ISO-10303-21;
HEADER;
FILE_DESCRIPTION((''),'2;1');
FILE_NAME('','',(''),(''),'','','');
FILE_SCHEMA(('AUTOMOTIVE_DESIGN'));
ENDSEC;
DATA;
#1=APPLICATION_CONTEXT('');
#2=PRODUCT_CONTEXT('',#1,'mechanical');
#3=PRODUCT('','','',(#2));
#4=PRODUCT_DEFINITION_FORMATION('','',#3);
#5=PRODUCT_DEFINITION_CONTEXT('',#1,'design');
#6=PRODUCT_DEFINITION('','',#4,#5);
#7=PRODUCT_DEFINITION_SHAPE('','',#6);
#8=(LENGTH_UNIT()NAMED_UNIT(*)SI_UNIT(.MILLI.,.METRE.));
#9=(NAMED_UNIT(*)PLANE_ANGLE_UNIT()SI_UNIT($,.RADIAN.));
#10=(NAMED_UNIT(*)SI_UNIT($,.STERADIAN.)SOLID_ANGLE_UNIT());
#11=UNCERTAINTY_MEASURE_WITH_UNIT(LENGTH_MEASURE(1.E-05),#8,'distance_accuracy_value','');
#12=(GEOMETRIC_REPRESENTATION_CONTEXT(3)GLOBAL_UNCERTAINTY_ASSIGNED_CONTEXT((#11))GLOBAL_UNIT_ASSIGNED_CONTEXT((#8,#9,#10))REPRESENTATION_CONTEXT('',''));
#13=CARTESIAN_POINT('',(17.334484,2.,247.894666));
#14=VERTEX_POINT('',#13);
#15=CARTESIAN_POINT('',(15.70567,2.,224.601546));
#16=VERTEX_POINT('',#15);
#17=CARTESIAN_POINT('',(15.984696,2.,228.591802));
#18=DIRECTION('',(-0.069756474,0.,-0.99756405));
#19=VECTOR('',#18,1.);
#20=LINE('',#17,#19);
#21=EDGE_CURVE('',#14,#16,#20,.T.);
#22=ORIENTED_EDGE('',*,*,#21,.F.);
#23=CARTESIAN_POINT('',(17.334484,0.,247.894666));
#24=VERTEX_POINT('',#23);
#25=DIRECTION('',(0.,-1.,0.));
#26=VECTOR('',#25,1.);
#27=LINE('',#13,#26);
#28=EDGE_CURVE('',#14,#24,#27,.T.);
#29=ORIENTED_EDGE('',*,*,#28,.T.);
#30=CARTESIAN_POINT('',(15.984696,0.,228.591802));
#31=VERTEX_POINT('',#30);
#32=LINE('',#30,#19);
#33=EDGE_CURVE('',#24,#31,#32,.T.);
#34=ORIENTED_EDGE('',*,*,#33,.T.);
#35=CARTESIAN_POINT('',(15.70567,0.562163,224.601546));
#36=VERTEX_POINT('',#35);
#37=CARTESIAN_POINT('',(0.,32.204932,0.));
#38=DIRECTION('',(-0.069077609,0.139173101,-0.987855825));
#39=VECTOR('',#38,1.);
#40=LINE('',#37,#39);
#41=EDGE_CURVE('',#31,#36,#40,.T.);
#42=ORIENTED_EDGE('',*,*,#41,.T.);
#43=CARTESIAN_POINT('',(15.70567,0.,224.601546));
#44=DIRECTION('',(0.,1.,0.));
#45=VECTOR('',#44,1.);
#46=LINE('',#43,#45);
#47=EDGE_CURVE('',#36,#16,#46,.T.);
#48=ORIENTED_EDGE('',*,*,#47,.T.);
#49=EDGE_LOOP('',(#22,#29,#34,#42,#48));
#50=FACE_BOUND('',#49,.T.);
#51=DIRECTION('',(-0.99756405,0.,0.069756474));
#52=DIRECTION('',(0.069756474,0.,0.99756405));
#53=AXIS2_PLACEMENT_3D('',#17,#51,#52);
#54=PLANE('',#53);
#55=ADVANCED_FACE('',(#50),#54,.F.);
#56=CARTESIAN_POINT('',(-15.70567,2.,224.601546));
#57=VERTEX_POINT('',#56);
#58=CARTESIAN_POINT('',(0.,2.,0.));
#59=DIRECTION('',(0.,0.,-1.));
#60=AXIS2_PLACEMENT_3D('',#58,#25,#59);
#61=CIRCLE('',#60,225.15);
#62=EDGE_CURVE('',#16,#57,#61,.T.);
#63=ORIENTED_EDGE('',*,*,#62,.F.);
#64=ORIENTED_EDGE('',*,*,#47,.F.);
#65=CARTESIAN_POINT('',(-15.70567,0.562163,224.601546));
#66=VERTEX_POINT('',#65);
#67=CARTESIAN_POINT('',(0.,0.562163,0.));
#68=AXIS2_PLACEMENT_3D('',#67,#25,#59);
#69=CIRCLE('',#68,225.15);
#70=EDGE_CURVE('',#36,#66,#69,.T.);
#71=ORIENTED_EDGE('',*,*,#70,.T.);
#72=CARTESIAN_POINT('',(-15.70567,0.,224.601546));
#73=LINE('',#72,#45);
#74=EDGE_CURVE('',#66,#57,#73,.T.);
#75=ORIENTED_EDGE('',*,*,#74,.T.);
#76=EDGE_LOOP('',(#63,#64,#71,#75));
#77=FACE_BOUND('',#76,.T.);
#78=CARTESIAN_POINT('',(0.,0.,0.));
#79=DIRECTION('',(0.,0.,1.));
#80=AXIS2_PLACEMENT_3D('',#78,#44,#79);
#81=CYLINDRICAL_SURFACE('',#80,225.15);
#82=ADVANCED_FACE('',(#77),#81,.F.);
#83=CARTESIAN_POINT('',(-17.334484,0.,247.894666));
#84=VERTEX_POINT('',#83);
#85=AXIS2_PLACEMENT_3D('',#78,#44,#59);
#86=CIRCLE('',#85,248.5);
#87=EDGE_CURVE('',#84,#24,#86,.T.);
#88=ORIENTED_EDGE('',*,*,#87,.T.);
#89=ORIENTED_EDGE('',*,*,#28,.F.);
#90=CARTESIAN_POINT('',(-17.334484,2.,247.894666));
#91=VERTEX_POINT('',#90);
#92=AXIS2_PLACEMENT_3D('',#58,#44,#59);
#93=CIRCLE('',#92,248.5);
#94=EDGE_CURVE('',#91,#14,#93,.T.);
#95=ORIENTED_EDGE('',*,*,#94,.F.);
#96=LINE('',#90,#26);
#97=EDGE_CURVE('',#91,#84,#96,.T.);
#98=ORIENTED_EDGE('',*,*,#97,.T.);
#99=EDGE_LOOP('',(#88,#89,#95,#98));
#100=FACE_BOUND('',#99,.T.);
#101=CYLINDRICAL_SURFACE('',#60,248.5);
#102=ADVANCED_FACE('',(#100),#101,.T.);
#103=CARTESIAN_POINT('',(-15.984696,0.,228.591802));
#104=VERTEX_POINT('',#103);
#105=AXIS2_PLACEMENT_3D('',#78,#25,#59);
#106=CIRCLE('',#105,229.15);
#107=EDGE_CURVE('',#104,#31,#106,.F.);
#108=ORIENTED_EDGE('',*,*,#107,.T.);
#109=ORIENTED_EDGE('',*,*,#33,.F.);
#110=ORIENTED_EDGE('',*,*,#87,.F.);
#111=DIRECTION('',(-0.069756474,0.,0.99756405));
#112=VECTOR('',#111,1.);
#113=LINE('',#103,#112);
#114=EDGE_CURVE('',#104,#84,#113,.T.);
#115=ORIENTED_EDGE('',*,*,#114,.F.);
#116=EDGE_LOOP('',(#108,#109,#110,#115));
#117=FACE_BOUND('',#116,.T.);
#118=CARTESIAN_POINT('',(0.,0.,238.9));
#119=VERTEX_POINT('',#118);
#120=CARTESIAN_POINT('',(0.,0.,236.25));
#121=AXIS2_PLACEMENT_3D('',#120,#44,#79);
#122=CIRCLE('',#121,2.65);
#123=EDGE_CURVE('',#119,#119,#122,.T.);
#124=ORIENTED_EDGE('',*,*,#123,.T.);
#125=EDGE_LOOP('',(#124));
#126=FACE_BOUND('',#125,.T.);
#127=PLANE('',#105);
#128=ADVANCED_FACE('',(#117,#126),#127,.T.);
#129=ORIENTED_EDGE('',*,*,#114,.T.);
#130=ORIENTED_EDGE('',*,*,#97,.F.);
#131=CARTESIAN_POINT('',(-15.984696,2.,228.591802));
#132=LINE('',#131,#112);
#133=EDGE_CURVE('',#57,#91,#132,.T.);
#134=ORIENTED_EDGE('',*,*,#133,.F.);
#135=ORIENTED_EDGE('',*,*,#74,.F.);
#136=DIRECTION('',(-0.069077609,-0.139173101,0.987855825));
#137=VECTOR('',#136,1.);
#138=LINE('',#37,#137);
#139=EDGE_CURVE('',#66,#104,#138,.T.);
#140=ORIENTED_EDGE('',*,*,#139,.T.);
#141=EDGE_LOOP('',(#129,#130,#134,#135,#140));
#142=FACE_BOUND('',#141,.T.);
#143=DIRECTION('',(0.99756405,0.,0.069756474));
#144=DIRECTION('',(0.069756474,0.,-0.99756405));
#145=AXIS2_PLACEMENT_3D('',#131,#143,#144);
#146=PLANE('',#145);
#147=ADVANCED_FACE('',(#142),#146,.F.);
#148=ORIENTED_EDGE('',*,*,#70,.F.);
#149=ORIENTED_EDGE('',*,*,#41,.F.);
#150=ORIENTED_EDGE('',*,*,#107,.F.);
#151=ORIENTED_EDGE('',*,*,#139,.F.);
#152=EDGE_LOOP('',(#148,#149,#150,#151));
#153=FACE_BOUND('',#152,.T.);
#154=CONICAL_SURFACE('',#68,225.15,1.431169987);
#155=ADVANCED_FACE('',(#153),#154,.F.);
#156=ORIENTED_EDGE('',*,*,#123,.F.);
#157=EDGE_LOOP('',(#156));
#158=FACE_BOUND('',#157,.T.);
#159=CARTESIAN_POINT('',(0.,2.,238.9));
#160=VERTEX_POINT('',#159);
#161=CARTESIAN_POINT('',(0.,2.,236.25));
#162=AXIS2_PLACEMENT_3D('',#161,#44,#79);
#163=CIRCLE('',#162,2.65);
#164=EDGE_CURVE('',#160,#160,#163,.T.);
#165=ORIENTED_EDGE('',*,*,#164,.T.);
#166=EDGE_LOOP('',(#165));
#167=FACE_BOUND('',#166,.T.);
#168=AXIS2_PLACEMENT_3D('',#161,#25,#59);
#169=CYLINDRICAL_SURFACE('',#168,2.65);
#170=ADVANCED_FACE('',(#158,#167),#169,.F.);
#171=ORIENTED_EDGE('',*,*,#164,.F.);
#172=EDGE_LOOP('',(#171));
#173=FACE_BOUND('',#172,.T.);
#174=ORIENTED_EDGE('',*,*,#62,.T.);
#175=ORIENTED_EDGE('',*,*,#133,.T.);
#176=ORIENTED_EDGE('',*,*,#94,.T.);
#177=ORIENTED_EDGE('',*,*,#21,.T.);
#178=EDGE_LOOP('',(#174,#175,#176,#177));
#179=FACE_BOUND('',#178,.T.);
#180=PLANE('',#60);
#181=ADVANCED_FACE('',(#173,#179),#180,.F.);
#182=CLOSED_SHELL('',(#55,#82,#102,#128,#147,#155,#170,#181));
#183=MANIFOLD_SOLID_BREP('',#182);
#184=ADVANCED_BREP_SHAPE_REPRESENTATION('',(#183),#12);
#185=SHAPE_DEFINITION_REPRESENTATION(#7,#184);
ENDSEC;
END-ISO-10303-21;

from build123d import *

# Parameters (mm, degrees)
SKETCH2_R           = 2.650000000000004
BOSS_EXTRUDE1_DEPTH = 2
BOSS_EXTRUDE2_DEPTH = 2
CHAMFER1_SIZE       = 4
CHAMFER1_SIZE2      = 0.5621633388095701


with BuildPart() as part:
    # Sketch2 → Boss-Extrude1 (new body)
    with BuildSketch(Plane(origin=(0, 0, 0), x_dir=(1, 0, 0), z_dir=(0, 1, 0))):
        with BuildLine():
            Line((-15.984695958466673, -228.5918021170437), (-17.33448372541018, -247.89466648957097))
            ThreePointArc((-17.33448372541018, -247.89466648957097), (4.98147e-12, -248.50000000000463), (17.334483725420203, -247.89466648957094))
            Line((17.334483725420203, -247.89466648957094), (15.98469595846676, -228.59180211704373))
            ThreePointArc((15.98469595846676, -228.59180211704373), (4.411e-14, -229.150000000005), (-15.984695958466673, -228.5918021170437))
        make_face()
        with Locations(Location((8.9e-16, -236.24999999999997, 0), (0, 0, 270))):
            Circle(SKETCH2_R, mode=Mode.SUBTRACT)
    extrude(amount=BOSS_EXTRUDE1_DEPTH)

    # Sketch3 → Boss-Extrude2 (add)
    with BuildSketch(Plane(origin=(0, 0, 0), x_dir=(1, 0, 0), z_dir=(0, 1, 0))):
        with BuildLine():
            Line((-15.70567006349017, -224.6015459160044), (-15.984695958466673, -228.5918021170437))
            ThreePointArc((-15.984695958466673, -228.5918021170437), (1.403e-14, -229.15000000000495), (15.98469595846676, -228.59180211704367))
            Line((15.98469595846676, -228.59180211704367), (15.705670063490256, -224.60154591600437))
            ThreePointArc((15.705670063490256, -224.60154591600437), (1.379e-14, -225.15000000000495), (-15.70567006349017, -224.6015459160044))
        make_face()
    extrude(amount=BOSS_EXTRUDE2_DEPTH)

    # Chamfer1
    chamfer1_edges = [part.edges().sort_by_distance(p)[0] for p in [
        (4.53e-14, 0, 225.15000000000498),
    ]]
    chamfer1_side = [part.faces().sort_by_distance(p)[0] for p in [
        (5.01431e-12, 0, 248.07892121738644),
    ]]
    chamfer(chamfer1_edges, length=CHAMFER1_SIZE, length2=CHAMFER1_SIZE2, reference=chamfer1_side[0])


solid = part.part
